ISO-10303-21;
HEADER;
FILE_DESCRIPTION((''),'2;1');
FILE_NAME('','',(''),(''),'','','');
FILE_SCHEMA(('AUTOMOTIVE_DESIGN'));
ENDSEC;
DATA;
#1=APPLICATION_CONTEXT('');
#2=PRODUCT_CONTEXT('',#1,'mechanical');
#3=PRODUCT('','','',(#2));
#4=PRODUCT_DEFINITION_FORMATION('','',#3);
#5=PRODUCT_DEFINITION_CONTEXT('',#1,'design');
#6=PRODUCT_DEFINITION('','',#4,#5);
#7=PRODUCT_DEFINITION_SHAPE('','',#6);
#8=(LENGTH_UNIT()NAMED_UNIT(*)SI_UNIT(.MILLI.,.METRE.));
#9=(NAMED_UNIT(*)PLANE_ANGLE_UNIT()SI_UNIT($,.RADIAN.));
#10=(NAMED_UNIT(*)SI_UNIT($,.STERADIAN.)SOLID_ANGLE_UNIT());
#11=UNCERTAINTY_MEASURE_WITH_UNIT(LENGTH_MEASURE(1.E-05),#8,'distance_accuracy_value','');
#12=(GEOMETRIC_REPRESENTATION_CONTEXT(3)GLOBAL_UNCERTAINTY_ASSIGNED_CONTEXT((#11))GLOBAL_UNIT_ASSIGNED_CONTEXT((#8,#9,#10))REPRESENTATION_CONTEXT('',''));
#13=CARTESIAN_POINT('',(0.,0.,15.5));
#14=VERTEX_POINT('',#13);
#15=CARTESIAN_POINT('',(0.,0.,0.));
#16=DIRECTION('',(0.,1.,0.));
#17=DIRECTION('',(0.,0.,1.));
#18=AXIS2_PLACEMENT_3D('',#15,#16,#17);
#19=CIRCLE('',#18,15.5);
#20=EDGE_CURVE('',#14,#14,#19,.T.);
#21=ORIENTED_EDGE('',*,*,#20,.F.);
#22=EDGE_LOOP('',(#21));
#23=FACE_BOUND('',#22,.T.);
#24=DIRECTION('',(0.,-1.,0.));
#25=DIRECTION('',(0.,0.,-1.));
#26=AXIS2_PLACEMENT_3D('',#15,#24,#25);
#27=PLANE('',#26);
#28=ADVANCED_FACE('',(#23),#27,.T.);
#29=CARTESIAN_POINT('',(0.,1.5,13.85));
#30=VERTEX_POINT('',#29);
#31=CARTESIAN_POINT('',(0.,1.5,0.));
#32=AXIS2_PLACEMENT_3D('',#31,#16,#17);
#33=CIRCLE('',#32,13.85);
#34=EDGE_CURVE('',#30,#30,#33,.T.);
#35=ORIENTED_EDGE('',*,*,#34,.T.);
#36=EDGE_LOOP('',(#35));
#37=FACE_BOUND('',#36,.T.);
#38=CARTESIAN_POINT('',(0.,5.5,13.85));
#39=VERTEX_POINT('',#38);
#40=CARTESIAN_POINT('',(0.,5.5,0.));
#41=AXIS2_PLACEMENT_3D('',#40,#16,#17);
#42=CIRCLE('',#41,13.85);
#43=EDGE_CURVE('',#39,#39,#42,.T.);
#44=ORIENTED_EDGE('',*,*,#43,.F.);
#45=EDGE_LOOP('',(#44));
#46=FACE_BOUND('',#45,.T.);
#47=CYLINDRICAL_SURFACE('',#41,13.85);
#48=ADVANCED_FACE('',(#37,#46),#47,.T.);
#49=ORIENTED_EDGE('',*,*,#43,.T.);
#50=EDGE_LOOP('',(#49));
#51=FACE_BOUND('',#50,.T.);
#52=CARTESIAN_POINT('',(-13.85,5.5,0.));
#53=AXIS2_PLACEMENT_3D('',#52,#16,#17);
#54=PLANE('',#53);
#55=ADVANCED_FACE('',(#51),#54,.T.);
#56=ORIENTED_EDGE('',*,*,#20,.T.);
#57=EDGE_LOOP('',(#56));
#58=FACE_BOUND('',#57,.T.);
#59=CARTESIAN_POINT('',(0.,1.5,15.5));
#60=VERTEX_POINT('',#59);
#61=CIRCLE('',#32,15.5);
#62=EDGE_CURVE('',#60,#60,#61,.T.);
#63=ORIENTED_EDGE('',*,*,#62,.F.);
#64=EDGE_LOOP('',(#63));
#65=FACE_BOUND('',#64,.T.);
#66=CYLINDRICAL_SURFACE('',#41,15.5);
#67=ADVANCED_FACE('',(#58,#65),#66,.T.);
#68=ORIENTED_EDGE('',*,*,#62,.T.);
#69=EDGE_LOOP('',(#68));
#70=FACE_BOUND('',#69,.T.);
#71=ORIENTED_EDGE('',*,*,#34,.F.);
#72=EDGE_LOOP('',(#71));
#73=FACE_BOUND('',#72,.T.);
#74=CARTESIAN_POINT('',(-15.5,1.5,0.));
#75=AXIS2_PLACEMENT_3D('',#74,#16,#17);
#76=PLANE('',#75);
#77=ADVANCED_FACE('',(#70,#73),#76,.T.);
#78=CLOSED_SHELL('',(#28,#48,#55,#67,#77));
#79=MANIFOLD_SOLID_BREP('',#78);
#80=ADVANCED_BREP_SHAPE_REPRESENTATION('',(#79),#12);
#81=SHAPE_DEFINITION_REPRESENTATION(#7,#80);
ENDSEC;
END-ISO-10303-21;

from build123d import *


with BuildPart() as part:
    # Croquis2 → Revolución1 (revolve)
    with BuildSketch(Plane.XY, mode=Mode.PRIVATE) as revoluci_n1_sk:
        Polygon((0, 0), (-15.5, 0), (-15.5, 1.5), (-13.85, 1.5), (-13.85, 5.5), (0, 5.5), align=None)
    revolve(revoluci_n1_sk.sketch.rotate(Axis((0, 5.5, 0), (0, -1, 0)), 270), axis=Axis((0, 5.5, 0), (0, -1, 0)))


solid = part.part
